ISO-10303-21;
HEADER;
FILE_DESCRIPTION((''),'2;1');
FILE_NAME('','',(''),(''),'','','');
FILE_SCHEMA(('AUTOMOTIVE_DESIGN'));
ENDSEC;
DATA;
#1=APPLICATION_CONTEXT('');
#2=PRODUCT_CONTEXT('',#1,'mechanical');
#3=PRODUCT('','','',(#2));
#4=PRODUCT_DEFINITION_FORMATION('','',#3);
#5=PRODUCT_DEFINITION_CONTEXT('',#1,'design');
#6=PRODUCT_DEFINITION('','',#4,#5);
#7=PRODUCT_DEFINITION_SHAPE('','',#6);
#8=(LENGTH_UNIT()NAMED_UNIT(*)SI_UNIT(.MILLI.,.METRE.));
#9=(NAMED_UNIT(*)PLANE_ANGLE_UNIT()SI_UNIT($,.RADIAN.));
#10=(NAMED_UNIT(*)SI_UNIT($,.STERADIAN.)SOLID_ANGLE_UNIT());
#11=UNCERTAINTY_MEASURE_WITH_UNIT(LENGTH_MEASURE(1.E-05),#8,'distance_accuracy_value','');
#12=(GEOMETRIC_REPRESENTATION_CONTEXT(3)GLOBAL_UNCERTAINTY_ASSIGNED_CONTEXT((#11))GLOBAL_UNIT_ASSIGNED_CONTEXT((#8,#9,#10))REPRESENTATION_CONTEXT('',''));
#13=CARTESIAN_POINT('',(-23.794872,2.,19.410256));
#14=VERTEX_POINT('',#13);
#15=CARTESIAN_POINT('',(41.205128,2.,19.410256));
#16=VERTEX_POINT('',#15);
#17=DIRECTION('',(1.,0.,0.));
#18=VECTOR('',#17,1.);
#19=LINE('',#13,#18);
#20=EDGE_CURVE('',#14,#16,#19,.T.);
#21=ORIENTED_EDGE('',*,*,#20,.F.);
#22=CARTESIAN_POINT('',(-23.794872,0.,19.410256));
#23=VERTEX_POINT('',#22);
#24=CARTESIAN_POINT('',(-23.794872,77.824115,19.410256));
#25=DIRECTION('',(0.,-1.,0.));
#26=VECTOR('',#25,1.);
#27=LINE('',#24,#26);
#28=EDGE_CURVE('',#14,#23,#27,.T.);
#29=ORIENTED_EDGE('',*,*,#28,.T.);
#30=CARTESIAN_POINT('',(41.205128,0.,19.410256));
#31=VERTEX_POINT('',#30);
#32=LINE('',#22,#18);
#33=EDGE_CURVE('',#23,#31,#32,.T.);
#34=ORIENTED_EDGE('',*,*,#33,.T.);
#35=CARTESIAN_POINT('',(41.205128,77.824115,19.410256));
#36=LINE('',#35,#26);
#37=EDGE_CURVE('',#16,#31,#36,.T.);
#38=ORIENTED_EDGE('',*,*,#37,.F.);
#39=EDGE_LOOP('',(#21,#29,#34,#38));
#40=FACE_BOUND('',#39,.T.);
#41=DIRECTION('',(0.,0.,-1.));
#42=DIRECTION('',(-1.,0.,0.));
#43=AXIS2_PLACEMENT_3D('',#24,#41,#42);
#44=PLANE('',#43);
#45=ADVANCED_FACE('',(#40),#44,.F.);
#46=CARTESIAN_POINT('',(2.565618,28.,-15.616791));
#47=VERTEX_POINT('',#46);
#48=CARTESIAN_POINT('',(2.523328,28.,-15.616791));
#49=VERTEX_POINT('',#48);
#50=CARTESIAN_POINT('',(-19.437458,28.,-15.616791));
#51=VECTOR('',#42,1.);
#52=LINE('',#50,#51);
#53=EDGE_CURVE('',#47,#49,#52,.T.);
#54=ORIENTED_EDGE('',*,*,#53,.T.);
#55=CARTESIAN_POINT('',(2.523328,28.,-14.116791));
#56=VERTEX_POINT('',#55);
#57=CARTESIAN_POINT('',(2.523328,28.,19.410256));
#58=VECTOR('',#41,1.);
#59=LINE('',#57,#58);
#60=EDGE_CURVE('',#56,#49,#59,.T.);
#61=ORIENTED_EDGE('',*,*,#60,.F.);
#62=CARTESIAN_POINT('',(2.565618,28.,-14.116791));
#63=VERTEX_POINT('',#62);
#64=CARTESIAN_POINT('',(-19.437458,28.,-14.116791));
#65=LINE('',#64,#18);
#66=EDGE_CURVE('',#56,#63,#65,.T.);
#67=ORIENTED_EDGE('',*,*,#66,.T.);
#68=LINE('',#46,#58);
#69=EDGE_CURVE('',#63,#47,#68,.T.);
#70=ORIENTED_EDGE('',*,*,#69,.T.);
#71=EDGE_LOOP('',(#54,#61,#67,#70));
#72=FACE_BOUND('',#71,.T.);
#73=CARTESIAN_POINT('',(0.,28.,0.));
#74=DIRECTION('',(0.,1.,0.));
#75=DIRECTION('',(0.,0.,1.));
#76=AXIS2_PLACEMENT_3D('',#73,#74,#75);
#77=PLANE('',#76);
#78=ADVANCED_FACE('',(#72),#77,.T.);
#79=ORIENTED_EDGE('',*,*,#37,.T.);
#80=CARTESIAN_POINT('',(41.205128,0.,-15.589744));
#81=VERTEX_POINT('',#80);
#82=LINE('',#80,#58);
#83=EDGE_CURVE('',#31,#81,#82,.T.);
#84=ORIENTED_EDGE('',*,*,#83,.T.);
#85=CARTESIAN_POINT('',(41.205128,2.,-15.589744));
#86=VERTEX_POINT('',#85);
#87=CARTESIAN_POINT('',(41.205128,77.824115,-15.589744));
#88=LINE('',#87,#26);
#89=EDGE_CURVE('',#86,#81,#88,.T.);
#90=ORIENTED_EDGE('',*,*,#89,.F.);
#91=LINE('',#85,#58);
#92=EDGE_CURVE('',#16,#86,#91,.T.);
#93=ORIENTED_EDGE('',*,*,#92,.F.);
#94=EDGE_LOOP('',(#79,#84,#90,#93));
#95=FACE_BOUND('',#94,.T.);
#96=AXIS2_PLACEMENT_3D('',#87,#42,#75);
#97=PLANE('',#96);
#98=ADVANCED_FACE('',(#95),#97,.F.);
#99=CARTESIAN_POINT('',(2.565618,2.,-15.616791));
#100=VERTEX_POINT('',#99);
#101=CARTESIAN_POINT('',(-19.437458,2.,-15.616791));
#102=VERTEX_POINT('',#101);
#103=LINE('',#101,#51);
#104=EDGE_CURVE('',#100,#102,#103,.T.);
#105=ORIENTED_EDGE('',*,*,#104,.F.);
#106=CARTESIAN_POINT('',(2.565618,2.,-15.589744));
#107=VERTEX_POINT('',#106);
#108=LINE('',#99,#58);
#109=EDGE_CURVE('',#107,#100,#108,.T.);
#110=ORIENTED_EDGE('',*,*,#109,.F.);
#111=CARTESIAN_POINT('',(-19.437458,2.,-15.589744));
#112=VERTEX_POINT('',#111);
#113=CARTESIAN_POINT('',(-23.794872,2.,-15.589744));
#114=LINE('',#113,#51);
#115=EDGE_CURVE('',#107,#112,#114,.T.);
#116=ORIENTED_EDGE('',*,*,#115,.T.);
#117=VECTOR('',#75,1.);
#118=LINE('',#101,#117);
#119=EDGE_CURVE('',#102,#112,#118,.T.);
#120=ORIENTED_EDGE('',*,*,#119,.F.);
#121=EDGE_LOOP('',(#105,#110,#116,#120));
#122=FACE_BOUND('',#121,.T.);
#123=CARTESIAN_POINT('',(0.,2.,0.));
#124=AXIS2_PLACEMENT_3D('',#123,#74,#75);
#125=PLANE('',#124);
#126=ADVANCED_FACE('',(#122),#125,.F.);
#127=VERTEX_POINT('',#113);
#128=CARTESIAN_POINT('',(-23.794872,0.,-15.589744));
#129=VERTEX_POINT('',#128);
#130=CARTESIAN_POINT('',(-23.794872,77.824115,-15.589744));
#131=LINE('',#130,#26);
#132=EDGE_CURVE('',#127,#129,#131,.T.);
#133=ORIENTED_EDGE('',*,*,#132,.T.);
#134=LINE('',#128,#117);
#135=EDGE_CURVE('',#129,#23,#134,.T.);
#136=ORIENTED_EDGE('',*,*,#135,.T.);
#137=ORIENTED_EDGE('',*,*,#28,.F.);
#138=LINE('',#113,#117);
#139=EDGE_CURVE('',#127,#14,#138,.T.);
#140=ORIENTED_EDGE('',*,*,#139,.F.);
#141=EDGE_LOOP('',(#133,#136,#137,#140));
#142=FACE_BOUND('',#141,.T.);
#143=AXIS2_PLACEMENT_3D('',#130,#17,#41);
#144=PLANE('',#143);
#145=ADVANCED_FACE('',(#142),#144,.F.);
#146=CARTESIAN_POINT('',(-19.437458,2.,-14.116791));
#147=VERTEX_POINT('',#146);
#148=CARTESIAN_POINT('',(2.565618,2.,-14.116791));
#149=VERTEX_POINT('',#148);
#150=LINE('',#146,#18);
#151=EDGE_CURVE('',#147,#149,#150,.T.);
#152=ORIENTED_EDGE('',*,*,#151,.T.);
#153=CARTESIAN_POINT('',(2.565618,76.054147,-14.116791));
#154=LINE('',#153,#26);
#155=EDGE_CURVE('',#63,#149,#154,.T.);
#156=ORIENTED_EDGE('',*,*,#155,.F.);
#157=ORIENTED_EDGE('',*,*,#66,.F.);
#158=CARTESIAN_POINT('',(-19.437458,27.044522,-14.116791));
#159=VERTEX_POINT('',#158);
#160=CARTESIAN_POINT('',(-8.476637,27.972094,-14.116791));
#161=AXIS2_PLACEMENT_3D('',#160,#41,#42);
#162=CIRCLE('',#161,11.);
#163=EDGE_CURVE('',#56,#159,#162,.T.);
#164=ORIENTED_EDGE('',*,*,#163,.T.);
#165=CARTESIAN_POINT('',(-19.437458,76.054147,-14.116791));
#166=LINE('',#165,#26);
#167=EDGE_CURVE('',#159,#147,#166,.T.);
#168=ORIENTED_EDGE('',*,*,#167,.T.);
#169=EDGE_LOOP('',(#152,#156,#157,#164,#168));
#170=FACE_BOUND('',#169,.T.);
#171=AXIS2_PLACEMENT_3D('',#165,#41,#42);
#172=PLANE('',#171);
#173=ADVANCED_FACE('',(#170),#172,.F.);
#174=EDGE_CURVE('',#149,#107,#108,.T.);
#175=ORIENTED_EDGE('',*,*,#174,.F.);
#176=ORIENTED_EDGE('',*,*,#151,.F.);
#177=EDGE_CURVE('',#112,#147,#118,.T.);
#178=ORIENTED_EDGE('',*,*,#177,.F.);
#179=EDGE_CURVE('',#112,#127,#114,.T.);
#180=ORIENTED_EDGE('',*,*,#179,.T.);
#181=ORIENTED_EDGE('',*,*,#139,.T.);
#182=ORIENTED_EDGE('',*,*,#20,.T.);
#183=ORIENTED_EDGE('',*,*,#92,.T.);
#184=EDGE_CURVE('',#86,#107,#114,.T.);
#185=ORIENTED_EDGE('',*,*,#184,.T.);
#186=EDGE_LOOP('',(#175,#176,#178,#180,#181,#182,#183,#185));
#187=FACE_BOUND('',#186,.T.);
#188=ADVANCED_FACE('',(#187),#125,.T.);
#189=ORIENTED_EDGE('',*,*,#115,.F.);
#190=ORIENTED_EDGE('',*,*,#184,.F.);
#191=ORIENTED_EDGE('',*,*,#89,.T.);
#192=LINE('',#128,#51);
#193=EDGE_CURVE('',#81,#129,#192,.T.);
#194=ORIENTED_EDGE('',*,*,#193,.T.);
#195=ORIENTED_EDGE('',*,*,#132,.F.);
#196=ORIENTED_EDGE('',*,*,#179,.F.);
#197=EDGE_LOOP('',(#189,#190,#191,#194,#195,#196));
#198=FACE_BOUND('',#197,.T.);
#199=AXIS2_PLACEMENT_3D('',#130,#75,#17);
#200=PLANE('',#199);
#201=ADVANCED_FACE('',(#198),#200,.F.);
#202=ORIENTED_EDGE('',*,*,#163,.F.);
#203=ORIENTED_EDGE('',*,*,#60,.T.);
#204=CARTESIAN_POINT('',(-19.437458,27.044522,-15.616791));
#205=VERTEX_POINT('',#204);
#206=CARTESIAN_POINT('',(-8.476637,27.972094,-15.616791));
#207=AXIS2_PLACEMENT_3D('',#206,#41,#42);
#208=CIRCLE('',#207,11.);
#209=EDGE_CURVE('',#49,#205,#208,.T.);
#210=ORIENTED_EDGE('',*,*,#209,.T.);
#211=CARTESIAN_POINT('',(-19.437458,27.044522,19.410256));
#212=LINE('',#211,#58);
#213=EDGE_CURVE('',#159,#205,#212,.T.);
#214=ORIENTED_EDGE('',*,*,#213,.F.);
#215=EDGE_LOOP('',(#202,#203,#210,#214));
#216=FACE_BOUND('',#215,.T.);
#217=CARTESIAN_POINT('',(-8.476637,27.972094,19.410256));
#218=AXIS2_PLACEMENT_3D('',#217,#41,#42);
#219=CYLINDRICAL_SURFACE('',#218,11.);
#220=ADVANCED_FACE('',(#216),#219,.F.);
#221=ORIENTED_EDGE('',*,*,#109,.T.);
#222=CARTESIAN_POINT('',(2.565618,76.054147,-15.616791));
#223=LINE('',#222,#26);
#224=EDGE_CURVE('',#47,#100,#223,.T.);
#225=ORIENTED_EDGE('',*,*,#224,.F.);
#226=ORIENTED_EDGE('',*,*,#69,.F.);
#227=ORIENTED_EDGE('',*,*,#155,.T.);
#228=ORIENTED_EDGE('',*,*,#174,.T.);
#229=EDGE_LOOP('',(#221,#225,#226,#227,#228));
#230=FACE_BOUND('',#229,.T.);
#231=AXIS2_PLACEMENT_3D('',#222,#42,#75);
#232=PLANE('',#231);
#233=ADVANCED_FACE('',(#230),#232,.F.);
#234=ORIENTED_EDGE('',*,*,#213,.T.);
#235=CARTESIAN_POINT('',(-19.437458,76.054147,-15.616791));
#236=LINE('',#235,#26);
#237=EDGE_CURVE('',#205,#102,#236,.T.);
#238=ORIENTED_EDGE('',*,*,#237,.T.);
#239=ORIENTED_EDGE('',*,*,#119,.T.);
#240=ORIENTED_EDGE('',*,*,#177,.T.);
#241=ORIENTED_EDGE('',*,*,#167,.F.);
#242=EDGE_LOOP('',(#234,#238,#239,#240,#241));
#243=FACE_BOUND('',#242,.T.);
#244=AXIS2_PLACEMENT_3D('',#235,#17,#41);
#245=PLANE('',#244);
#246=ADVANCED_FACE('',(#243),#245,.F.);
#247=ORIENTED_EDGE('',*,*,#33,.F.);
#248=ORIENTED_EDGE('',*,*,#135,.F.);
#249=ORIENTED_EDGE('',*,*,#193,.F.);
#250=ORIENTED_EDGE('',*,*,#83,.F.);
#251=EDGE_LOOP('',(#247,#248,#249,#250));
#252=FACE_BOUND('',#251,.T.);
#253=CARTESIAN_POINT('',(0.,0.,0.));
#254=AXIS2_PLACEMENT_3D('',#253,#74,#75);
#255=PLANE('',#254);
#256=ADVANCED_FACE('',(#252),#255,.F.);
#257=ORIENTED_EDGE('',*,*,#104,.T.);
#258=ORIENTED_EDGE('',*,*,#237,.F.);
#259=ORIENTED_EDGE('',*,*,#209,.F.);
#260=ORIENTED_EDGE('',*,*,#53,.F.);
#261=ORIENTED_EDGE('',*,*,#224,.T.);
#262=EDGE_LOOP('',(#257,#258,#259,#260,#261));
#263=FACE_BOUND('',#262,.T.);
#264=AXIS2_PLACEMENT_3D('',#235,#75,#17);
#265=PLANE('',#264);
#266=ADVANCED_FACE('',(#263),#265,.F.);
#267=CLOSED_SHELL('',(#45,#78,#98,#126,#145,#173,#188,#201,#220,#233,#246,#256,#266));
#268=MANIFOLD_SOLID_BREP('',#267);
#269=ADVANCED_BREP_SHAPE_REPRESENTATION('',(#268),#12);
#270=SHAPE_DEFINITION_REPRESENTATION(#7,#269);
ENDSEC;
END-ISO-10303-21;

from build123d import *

# Parameters (mm, degrees)
SKETCH4_W            = 65
SKETCH4_H            = 35
BOSS_EXTRUDE1_DEPTH  = 2
SKETCH9_W            = 22.003076652
SKETCH9_H            = 1.5
BOSS_EXTRUDE15_DEPTH = 26
SKETCH11_R           = 11
CUT_EXTRUDE1_DEPTH   = 61.899561695


with BuildPart() as part:
    # Sketch4 → Boss-Extrude1 (new body)
    with BuildSketch(Plane(origin=(0, 0, 0), x_dir=(1, 0, 0), z_dir=(0, 1, 0))):
        with Locations((8.705128205, -1.91025641)):
            Rectangle(SKETCH4_W, SKETCH4_H)
    extrude(amount=BOSS_EXTRUDE1_DEPTH)

    # Sketch9 → Boss-Extrude15 (add)
    with BuildSketch(Plane(origin=(0, 2, 0), x_dir=(1, 0, 0), z_dir=(0, 1, 0))):
        with Locations((-8.435920152, 14.866790629)):
            Rectangle(SKETCH9_W, SKETCH9_H)
    extrude(amount=BOSS_EXTRUDE15_DEPTH)

    # Sketch11 → Cut-Extrude1 (cut, through all)
    with BuildSketch(Plane(origin=(0, 0, -15.616790629), x_dir=(-1, 0, 0), z_dir=(0, 0, -1))):
        with Locations((8.476636935, 27.972094264)):
            Circle(SKETCH11_R)
    extrude(amount=-CUT_EXTRUDE1_DEPTH, mode=Mode.SUBTRACT)


solid = part.part
